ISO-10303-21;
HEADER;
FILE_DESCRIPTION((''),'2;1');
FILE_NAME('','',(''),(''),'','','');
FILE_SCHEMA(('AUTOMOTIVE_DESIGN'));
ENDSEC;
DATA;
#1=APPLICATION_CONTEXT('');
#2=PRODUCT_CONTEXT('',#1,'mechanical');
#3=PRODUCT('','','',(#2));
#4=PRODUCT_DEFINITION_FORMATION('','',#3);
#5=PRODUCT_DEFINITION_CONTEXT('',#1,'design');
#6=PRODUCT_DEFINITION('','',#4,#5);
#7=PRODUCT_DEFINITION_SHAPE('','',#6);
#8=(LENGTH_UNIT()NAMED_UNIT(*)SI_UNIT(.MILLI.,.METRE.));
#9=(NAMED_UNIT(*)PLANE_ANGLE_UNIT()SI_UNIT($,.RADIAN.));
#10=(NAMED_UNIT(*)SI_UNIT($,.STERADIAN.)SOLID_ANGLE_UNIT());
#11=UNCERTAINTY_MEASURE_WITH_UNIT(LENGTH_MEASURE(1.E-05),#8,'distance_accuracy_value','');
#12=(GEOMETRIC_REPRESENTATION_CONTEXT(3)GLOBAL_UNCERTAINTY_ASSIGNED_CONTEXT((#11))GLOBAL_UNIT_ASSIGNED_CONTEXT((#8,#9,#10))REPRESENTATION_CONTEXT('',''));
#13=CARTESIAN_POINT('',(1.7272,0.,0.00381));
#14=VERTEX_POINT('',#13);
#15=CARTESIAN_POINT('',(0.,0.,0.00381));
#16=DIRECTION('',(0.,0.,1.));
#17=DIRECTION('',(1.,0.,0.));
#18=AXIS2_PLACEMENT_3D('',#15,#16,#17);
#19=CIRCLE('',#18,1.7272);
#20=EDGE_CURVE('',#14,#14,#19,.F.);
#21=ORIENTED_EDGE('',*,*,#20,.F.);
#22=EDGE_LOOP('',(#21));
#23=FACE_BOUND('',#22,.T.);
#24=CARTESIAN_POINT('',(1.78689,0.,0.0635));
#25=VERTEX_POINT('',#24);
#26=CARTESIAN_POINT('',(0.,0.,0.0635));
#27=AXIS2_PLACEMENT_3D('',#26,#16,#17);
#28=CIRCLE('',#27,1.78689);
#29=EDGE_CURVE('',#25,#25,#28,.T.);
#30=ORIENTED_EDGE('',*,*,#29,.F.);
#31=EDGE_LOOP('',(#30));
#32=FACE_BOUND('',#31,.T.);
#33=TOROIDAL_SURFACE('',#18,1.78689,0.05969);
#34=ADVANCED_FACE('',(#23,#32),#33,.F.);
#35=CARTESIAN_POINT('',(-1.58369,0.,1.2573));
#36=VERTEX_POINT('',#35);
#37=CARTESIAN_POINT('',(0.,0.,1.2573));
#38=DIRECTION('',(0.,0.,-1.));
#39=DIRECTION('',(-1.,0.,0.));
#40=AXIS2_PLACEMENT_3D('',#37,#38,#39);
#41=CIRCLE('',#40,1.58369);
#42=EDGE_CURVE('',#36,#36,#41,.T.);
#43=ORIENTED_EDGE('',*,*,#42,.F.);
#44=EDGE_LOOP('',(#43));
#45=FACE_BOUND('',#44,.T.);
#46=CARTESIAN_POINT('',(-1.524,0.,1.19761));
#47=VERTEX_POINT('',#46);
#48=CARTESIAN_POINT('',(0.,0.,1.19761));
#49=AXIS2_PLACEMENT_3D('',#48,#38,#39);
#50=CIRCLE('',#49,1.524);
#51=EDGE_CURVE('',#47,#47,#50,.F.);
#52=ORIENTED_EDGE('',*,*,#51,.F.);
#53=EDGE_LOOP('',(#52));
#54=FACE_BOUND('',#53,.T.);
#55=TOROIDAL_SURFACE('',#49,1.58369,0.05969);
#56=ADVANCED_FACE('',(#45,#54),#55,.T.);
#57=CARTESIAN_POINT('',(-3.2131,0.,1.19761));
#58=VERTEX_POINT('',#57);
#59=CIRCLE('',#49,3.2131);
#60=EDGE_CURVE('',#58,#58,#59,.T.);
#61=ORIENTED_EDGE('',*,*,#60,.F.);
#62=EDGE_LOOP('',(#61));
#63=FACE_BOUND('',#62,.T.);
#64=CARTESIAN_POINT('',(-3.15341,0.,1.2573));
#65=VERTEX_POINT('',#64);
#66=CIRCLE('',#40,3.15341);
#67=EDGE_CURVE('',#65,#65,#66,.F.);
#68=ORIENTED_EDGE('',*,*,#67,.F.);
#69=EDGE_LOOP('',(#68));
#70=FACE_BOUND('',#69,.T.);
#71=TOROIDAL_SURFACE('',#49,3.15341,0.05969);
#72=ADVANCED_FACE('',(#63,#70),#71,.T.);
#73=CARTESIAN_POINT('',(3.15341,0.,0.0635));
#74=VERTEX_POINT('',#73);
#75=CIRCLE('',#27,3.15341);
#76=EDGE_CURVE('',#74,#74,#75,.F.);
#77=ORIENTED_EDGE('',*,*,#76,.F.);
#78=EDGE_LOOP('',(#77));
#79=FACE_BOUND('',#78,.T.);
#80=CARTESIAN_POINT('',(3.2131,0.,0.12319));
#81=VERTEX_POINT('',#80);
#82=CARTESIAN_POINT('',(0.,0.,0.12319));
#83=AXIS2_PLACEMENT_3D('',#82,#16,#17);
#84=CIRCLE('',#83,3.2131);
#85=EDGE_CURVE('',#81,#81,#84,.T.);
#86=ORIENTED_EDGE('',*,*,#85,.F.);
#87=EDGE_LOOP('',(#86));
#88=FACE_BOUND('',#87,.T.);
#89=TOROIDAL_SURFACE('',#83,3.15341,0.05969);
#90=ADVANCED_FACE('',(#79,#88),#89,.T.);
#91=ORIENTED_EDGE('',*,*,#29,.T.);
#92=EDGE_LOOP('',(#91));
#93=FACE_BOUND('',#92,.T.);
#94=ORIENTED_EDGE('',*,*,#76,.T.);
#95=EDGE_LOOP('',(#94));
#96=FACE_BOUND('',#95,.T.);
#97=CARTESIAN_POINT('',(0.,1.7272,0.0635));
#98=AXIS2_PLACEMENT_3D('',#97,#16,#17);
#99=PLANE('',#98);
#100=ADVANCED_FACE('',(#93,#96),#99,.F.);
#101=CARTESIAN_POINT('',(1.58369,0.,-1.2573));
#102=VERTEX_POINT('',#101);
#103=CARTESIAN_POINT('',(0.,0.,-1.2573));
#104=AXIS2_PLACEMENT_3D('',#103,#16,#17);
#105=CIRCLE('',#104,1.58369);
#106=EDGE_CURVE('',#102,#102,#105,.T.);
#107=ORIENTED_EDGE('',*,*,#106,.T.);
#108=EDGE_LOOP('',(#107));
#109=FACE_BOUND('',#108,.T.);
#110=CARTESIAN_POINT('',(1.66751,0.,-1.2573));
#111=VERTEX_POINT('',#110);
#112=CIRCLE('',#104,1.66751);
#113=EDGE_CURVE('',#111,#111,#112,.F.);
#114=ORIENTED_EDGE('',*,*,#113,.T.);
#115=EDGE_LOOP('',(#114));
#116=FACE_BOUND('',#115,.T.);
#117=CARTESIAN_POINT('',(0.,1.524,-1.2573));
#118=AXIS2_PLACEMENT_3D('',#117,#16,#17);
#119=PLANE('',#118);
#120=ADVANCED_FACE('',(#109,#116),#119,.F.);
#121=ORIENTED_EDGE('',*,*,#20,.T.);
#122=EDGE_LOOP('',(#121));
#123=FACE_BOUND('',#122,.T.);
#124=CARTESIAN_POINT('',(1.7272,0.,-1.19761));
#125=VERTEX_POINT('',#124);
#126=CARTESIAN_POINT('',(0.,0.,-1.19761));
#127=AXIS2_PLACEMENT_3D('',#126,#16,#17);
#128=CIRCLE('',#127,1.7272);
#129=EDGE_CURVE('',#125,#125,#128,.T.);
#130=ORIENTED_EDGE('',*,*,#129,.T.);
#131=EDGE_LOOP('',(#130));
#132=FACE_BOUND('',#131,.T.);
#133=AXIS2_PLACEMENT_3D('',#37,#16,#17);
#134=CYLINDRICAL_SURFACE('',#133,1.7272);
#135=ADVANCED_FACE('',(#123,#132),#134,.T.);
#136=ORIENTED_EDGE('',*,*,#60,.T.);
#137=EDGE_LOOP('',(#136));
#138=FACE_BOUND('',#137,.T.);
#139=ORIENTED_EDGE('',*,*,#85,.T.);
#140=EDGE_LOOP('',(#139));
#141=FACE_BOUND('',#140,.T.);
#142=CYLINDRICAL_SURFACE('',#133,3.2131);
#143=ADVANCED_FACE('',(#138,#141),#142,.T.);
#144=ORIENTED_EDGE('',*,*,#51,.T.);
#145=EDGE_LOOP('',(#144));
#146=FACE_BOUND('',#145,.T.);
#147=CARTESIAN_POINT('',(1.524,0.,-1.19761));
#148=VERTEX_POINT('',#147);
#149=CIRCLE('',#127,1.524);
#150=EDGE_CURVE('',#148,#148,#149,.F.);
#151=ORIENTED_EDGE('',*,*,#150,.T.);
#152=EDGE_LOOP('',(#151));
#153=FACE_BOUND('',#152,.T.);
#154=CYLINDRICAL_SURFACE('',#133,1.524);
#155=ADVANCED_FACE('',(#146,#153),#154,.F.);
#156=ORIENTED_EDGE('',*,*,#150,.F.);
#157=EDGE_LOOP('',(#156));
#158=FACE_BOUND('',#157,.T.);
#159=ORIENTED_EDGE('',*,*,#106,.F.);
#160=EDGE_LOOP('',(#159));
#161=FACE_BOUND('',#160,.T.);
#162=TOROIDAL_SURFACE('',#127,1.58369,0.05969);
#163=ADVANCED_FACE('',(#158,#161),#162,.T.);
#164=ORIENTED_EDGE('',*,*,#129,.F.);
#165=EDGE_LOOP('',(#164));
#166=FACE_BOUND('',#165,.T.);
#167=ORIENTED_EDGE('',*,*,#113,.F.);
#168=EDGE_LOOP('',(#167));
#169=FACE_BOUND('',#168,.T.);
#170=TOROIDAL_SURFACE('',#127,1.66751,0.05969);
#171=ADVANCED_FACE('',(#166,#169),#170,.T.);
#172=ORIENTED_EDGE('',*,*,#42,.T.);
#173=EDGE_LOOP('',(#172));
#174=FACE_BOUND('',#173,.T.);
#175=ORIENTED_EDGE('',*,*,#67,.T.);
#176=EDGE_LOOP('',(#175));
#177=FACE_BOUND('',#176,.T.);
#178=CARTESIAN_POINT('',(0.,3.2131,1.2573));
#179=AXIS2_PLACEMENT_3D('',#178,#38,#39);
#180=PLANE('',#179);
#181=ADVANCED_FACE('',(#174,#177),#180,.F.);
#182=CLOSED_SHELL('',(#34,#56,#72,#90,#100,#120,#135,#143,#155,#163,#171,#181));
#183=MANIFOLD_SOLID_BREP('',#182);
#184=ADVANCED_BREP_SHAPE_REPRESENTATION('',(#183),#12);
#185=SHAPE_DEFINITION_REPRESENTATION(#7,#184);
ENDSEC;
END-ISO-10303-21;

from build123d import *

# Parameters (mm, degrees)
FILLET1_R = 0.05969


with BuildPart() as part:
    # Sketch2 → Revolve1 (revolve)
    with BuildSketch(Plane(origin=(0, 0, 0), x_dir=(0, 0, -1), z_dir=(1, 0, 0)), mode=Mode.PRIVATE) as revolve1_sk:
        Polygon((-1.2573, 1.524), (1.2573, 1.524), (1.2573, 1.7272), (-0.0635, 1.7272), (-0.0635, 3.2131), (-1.2573, 3.2131), align=None)
    revolve(revolve1_sk.sketch.rotate(Axis((0, 0, 1.2573), (0, 0, -1)), 90), axis=Axis((0, 0, 1.2573), (0, 0, -1)))

    # Fillet1
    fillet1_edges = [part.edges().sort_by_distance(p)[0] for p in [
        (-3.2131, 0, 1.2573),
        (-3.2131, 0, 0.0635),
        (-1.7272, 0, 0.0635),
        (-1.7272, 0, -1.2573),
        (-1.524, 0, -1.2573),
        (-1.524, 0, 1.2573),
    ]]
    fillet(fillet1_edges, radius=FILLET1_R)


solid = part.part
